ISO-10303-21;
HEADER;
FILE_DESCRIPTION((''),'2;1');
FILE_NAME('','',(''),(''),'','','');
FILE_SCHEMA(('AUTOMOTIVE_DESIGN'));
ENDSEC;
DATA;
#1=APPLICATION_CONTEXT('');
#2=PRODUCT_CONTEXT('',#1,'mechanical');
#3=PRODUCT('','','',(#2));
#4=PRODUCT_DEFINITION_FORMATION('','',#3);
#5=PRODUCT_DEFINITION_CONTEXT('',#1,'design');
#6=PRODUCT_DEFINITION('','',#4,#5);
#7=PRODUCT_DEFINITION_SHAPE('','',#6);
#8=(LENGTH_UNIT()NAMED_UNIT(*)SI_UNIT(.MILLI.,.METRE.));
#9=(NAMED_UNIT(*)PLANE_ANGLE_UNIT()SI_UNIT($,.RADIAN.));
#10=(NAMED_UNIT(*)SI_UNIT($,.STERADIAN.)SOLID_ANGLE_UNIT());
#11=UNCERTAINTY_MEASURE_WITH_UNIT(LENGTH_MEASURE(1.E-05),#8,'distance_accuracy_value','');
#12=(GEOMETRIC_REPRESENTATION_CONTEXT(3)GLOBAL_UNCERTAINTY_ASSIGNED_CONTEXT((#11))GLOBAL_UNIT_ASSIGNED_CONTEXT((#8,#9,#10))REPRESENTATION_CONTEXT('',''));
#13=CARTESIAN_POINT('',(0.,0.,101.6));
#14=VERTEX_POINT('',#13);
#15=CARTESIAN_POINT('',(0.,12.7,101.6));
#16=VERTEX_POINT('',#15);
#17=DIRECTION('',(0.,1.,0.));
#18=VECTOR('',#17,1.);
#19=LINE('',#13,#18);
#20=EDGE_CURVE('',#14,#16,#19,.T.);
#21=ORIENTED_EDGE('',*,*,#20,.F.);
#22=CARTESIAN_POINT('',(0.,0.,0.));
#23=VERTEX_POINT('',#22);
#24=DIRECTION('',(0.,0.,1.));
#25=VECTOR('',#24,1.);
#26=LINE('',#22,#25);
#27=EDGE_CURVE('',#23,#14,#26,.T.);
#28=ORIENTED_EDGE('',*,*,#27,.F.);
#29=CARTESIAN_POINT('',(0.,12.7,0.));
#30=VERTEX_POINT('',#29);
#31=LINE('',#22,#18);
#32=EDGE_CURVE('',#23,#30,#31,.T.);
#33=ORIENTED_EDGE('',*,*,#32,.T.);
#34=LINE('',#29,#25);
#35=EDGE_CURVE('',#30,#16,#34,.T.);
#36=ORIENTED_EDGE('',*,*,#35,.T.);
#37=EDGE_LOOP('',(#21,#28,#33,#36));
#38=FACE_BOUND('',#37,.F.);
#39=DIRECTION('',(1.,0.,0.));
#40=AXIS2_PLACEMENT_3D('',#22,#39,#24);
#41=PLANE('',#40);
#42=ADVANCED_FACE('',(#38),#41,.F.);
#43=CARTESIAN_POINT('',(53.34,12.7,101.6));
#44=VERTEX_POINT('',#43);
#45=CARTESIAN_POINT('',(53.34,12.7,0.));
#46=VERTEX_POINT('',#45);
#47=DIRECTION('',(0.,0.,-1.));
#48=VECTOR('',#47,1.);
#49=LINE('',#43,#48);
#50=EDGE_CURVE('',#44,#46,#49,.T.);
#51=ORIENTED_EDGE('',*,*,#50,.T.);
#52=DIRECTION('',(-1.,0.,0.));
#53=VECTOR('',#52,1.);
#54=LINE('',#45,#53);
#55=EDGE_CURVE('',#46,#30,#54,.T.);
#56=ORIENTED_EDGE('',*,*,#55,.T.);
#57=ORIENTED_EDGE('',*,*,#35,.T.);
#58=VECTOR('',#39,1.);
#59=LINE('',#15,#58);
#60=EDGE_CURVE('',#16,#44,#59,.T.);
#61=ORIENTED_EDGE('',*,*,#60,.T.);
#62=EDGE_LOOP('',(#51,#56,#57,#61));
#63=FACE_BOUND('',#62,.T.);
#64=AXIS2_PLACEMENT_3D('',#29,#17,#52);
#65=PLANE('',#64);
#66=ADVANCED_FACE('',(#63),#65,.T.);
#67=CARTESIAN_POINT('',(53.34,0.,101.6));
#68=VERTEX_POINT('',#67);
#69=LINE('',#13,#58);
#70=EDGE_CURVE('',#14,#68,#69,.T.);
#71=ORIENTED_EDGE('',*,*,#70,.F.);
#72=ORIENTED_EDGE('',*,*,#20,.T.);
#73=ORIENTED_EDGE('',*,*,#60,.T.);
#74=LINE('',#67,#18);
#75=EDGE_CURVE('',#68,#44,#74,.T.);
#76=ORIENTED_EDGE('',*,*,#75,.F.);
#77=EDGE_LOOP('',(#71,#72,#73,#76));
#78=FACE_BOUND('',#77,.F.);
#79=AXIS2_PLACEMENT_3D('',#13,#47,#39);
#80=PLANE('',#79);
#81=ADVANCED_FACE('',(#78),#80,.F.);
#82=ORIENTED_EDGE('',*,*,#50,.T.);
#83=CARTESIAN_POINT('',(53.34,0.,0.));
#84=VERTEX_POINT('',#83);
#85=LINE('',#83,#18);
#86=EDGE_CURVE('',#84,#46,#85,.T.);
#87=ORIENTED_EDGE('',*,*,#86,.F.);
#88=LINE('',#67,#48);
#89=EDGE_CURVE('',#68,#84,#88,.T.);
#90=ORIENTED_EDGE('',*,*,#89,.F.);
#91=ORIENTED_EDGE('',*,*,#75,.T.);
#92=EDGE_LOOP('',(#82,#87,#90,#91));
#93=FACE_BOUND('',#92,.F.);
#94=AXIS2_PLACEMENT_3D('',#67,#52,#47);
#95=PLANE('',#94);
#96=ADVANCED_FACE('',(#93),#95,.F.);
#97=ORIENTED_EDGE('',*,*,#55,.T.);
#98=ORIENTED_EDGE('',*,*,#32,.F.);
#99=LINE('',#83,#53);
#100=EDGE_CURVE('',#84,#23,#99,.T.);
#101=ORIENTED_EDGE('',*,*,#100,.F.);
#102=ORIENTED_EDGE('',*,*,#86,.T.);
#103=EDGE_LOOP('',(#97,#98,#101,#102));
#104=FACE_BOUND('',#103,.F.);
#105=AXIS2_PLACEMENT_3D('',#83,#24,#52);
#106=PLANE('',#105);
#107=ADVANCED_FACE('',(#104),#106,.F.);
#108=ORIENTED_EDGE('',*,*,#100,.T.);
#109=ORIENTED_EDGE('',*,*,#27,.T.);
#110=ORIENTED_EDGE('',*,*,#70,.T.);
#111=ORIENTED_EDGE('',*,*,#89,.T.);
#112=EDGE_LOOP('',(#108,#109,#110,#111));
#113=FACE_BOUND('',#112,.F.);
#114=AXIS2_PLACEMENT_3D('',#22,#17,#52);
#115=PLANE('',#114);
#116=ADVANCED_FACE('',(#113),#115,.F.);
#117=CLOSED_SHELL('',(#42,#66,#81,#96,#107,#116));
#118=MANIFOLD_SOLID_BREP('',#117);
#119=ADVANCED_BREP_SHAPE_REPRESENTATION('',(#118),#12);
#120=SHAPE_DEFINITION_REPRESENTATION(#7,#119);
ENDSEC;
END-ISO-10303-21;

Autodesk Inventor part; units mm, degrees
ref_plane "YZ Plane" through (0, 0, 0) normal (1, 0, 0) x (0, 1, 0)
ref_plane "XZ Plane" through (0, 0, 0) normal (0, 1, 0) x (-1, 0, 0)
ref_plane "XY Plane" through (0, 0, 0) normal (0, 0, 1) x (1, 0, 0)
sketch "Sketch1" plane through (0, 0, 0) normal (0, 1, 0) x (-1, 0, 0)
  line L0 (0, 0) -> (0, 101.6)
  line L1 (0, 101.6) -> (-53.34, 101.6)
  line L2 (-53.34, 101.6) -> (-53.34, 0)
  line L3 (-53.34, 0) -> (0, 0)
  dimension "d0" = 101.6
  dimension "d1" = 53.34
extrude "Extrusion1" add sketch "Sketch1" along normal blind 12.7
properties part number "arduino uno"
